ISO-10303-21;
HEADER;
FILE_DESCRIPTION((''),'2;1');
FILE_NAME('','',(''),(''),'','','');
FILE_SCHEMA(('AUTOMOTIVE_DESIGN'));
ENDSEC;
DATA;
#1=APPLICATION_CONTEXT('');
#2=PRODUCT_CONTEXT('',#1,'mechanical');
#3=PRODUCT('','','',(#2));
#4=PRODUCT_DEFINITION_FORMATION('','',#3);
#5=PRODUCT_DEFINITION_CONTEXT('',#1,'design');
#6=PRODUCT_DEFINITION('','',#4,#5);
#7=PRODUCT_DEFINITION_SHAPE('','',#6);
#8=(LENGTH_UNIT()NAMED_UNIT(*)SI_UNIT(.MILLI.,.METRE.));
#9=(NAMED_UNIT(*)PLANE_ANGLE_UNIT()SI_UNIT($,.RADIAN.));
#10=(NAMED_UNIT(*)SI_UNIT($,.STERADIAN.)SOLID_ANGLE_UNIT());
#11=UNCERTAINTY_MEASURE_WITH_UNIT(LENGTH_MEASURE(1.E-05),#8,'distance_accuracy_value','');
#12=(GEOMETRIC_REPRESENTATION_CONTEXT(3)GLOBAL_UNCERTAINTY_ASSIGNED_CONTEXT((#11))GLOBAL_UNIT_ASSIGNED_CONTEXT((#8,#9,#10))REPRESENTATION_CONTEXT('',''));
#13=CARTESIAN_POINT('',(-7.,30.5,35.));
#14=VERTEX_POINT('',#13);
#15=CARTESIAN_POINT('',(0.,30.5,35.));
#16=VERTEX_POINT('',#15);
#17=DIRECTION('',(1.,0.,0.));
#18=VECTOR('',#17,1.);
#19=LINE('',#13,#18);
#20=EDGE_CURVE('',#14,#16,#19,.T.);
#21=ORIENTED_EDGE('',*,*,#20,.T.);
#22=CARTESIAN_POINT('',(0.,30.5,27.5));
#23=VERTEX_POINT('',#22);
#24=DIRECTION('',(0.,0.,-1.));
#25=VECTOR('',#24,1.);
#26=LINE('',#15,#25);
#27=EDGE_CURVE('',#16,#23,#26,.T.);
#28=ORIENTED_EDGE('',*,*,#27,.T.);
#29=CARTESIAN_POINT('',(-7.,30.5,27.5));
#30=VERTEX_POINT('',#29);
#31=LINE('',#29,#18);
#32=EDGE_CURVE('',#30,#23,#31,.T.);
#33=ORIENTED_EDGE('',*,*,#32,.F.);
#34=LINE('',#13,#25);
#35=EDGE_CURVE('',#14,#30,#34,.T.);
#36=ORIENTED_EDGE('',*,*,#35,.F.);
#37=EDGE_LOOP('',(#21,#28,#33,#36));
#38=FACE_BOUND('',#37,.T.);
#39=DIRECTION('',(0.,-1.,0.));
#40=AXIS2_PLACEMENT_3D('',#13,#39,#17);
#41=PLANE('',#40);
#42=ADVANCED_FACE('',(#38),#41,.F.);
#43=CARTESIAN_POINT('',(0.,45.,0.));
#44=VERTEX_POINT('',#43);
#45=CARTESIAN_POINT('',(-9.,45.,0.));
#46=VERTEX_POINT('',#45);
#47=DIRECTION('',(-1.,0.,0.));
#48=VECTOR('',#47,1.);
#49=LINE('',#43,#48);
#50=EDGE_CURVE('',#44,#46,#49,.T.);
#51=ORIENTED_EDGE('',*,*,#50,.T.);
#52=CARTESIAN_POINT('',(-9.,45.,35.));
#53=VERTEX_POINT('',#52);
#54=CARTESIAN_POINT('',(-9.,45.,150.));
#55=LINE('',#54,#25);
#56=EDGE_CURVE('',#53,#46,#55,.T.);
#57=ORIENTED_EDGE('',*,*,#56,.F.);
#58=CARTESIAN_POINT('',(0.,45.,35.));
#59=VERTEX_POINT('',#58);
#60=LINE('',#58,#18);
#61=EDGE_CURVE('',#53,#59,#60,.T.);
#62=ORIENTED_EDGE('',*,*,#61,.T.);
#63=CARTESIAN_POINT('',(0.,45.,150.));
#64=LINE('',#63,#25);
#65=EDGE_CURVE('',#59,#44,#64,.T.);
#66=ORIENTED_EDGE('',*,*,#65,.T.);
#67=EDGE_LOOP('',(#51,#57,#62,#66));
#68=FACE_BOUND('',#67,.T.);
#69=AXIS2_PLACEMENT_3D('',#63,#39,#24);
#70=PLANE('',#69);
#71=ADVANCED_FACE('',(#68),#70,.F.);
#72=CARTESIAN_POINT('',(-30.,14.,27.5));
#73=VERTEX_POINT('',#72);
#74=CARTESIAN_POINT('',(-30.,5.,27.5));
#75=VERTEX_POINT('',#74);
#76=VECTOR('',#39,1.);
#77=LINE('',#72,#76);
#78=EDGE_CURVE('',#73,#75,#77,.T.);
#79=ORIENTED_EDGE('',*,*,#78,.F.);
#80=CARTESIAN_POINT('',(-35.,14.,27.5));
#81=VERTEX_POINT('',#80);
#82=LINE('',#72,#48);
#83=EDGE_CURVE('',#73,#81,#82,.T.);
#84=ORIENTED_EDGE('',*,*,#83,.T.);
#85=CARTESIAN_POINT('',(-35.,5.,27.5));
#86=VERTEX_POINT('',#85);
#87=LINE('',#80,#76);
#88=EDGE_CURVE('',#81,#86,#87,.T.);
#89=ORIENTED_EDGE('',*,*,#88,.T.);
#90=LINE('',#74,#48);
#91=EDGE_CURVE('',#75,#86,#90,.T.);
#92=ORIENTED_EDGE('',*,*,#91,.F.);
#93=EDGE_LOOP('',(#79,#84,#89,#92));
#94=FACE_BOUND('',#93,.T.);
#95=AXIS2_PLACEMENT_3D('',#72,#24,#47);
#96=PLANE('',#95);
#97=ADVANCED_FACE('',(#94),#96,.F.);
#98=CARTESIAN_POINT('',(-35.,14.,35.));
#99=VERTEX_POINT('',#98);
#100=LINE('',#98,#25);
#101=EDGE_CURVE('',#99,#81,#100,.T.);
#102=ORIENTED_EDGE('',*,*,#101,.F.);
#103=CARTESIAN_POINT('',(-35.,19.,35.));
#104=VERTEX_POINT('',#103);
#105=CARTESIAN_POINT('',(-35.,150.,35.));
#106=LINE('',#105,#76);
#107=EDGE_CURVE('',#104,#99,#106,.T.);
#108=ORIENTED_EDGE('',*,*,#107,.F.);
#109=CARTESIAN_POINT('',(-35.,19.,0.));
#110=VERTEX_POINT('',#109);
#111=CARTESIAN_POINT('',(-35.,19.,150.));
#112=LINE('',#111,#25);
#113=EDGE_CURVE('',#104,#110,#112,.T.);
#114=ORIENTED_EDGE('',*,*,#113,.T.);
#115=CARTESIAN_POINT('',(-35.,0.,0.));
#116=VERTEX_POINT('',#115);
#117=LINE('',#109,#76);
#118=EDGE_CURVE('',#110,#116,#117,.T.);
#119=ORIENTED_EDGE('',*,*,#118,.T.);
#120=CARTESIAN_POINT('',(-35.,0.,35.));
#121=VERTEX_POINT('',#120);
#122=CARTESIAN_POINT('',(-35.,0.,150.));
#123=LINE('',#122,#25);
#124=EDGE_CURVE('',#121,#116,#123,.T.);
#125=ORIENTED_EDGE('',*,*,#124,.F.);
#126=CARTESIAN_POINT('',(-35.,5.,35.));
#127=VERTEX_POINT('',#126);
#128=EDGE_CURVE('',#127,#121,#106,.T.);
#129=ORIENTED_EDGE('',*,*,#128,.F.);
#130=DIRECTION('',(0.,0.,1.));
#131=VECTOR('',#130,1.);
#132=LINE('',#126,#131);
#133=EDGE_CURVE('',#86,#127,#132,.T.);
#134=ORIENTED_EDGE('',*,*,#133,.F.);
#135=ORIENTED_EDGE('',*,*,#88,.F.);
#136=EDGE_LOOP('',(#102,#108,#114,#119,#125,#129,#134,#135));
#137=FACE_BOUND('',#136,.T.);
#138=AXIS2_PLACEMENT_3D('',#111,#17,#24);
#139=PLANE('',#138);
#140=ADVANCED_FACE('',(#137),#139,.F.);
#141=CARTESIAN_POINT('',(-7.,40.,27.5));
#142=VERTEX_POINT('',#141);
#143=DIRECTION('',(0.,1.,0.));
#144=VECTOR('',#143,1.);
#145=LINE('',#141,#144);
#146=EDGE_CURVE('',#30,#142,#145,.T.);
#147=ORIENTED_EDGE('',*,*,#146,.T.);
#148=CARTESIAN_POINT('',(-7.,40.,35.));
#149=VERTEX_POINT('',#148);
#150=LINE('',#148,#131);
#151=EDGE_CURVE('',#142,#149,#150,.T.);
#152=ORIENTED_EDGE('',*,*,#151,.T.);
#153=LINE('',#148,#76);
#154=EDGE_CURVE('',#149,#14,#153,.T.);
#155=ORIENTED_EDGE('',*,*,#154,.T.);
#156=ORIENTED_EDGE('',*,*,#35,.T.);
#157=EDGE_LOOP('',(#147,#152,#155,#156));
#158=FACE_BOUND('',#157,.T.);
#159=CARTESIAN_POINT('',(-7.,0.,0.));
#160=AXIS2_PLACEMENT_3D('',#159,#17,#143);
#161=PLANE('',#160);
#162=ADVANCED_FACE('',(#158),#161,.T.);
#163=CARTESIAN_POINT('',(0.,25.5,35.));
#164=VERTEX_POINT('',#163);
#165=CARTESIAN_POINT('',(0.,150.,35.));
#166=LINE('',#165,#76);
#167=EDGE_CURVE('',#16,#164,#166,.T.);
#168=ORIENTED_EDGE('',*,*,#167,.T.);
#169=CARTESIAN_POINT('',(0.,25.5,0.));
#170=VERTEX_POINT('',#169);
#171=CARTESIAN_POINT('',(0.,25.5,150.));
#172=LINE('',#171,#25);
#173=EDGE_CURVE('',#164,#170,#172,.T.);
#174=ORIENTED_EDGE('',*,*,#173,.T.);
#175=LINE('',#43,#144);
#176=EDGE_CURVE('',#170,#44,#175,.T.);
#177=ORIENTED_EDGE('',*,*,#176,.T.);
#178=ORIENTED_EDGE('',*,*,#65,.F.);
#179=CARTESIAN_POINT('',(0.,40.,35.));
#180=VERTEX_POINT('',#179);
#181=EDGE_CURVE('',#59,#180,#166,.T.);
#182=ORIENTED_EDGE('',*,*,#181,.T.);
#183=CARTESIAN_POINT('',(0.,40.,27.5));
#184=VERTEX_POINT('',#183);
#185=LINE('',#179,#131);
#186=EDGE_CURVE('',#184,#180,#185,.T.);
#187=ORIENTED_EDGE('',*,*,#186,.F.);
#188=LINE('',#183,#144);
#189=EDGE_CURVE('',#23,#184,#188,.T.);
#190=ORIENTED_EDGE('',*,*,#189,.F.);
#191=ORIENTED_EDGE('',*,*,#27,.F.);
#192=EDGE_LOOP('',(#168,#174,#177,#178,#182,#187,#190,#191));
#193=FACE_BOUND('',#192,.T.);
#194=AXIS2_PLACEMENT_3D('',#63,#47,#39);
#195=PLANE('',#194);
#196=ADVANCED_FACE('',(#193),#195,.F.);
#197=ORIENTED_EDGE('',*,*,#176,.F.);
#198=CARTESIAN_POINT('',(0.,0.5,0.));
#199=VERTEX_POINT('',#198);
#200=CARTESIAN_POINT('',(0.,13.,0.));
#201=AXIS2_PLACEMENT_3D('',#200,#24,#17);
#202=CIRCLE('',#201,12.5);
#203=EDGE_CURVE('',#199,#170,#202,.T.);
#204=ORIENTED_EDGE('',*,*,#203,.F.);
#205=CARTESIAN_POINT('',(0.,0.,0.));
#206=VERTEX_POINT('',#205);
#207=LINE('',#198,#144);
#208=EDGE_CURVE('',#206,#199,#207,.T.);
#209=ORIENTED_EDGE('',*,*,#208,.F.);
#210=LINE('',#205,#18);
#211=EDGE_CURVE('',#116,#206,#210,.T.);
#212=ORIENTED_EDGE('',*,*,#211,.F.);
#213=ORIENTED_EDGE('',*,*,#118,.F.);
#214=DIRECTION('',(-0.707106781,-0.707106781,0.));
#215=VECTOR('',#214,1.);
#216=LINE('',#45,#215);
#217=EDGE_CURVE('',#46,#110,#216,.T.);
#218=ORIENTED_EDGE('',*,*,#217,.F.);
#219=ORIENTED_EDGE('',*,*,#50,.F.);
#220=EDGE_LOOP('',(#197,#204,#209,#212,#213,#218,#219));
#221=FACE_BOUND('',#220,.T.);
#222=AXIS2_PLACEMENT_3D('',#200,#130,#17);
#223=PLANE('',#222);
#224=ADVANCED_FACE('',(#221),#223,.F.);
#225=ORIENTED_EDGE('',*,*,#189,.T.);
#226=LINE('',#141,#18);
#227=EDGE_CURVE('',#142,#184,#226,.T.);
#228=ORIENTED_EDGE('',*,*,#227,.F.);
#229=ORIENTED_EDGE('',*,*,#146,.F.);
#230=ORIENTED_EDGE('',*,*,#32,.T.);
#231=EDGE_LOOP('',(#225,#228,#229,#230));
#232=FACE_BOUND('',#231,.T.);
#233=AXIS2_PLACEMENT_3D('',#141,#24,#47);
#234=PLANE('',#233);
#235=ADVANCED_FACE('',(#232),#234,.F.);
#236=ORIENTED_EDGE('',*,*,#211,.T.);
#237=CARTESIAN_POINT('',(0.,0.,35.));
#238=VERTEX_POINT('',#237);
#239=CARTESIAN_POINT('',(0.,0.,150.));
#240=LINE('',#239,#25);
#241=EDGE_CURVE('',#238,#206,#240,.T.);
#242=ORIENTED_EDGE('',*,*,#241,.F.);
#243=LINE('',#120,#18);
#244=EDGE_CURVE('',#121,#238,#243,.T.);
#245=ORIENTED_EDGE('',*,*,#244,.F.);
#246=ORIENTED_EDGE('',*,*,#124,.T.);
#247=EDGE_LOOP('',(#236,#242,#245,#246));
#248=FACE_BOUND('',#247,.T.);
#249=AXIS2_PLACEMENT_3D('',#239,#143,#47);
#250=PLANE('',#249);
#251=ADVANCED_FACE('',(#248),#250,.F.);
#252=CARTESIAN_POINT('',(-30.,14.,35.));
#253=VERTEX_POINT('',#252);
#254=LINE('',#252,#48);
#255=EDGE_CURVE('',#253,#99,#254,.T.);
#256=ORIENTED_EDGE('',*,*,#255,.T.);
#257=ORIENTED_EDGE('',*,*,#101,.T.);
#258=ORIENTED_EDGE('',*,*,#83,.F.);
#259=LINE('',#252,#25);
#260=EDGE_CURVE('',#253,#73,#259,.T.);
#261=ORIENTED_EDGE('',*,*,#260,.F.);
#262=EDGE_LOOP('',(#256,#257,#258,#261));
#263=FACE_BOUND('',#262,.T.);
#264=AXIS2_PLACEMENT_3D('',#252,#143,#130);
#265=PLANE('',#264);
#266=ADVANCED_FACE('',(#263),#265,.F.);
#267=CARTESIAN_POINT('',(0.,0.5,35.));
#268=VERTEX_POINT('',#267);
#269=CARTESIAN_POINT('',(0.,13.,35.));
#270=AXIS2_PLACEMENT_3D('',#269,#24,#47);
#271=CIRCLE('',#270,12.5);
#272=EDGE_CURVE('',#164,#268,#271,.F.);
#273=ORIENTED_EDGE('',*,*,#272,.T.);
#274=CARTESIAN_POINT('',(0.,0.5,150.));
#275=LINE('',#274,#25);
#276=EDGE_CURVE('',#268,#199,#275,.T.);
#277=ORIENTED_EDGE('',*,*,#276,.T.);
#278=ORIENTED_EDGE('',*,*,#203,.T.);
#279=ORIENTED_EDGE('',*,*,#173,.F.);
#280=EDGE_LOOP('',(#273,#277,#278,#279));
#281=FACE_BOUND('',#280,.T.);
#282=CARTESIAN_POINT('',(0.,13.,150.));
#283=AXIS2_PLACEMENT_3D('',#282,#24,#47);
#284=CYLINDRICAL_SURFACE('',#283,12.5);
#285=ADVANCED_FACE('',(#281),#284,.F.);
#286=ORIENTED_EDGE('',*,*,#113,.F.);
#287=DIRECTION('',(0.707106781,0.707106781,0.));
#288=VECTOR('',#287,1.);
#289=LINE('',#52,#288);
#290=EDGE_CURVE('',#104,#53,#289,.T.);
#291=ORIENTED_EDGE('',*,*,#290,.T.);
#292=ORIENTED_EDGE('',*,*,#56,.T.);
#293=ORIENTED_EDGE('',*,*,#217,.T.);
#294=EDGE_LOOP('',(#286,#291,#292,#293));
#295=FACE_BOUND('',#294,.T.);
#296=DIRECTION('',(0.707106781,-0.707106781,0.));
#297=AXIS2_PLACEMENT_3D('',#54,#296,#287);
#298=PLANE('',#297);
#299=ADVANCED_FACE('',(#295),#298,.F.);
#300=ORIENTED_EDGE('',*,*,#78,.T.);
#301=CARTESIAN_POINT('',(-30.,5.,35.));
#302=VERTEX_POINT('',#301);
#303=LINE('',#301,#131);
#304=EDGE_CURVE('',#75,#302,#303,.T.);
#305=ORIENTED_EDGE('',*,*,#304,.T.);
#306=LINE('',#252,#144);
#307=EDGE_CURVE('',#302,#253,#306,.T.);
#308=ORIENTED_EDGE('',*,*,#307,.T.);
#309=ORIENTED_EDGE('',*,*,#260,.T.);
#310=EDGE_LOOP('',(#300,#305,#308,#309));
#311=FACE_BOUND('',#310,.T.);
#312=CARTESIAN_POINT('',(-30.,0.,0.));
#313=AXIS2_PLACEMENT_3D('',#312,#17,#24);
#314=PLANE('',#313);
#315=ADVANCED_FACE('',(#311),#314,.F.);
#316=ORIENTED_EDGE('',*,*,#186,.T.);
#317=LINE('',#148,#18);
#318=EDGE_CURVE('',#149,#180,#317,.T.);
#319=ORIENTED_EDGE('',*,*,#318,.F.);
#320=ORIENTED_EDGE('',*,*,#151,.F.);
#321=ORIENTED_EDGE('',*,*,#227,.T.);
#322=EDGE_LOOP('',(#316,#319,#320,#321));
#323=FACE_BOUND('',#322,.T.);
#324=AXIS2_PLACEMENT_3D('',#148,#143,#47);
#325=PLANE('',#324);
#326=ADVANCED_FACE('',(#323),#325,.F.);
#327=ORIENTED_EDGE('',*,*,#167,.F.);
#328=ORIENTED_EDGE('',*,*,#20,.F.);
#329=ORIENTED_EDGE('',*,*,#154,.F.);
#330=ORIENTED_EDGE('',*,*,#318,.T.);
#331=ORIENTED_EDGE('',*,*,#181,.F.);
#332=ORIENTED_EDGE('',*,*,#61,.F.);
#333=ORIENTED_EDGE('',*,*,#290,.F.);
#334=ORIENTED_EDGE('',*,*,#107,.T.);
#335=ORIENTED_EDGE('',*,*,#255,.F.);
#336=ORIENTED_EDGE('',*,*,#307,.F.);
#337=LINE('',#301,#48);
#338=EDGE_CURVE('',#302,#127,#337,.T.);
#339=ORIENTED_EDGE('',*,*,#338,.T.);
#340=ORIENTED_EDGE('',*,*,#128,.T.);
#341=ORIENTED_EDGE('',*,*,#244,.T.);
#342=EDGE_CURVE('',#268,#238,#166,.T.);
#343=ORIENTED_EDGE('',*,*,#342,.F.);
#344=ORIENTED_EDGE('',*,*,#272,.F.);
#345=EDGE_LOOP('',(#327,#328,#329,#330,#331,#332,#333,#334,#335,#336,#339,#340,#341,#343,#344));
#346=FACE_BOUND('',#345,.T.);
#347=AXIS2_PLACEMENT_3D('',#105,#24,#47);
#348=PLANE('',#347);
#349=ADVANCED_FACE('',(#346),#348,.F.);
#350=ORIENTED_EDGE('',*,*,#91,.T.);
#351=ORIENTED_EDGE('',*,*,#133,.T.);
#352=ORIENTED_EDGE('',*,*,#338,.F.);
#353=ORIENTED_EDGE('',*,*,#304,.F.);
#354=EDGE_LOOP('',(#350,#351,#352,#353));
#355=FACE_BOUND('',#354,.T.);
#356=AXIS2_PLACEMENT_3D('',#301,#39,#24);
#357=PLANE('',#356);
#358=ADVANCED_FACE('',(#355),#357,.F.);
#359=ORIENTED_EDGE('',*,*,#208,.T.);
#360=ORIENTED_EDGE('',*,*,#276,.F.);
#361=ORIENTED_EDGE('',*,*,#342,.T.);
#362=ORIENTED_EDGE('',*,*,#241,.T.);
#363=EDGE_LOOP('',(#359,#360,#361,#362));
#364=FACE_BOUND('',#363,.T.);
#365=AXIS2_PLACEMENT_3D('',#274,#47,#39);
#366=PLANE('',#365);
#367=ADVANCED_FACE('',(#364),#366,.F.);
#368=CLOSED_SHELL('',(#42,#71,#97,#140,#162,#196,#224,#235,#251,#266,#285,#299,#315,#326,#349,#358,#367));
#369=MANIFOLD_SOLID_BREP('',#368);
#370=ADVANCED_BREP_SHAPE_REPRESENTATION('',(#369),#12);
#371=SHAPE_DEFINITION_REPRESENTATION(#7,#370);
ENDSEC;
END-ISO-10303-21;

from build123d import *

# Parameters (mm, degrees)
BOSS_EXTRUDE1_DEPTH = 150
SKETCH3_W           = 35
SKETCH3_H           = 80
CUT_EXTRUDE1_DEPTH  = 150
SKETCH5_W           = 7.5
SKETCH5_H           = 9.5
CUT_EXTRUDE3_DEPTH  = 7
SKETCH6_W           = 7.5
SKETCH6_H           = 9
CUT_EXTRUDE4_DEPTH  = 5
SKETCH7_W           = 66.039270253
SKETCH7_H           = 79.533085961
CUT_EXTRUDE5_DEPTH  = 70


with BuildPart() as part:
    # Sketch2 → Boss-Extrude1 (new body)
    with BuildSketch(Plane.XY):
        with BuildLine():
            Line((0, 0), (-35, 0))
            Line((-35, 0), (-35, 19))
            Line((-35, 19), (-9, 45))
            Line((-9, 45), (0, 45))
            Line((0, 45), (0, 25.5))
            ThreePointArc((0, 25.5), (-12.5, 13), (0, 0.5))
            Line((0, 0.5), (0, 0))
        make_face()
    extrude(amount=BOSS_EXTRUDE1_DEPTH)

    # Sketch3 → Cut-Extrude1 (cut)
    with BuildSketch(Plane.XZ):
        with Locations((-17.5, 75)):
            Rectangle(SKETCH3_W, SKETCH3_H)
    extrude(amount=-CUT_EXTRUDE1_DEPTH, mode=Mode.SUBTRACT)


with BuildPart() as cut_extrude1_piece_1:
    # of the separate pieces the step leaves, piece 1, a body of its own (cut_extrude1_pieces)
    add(part.part.solids().sort_by_distance((0, 0.5, 115))[0])


with BuildPart() as cut_extrude1_piece_2:
    # of the separate pieces the step leaves, piece 2, a body of its own (cut_extrude1_pieces)
    add(part.part.solids().sort_by_distance((0, 25.5, 0))[0])


with BuildPart() as cut_extrude3_tool:
    # Sketch5 → Cut-Extrude3 (new body)
    with BuildSketch(Plane(origin=(0, 0, 0), x_dir=(0, 0, -1), z_dir=(1, 0, 0))):
        with Locations((-118.75, 35.25)):
            Rectangle(SKETCH5_W, SKETCH5_H)
        with Locations((-31.25, 35.25)):
            Rectangle(SKETCH5_W, SKETCH5_H)
    extrude(amount=-CUT_EXTRUDE3_DEPTH)


with BuildPart() as cut_extrude1_piece_1_1:
    add(cut_extrude1_piece_1.part)

    # Cut-Extrude3: cut by cut_extrude3_tool
    add(cut_extrude3_tool.part, mode=Mode.SUBTRACT)


with BuildPart() as cut_extrude1_piece_2_1:
    add(cut_extrude1_piece_2.part)

    # Cut-Extrude3: cut by cut_extrude3_tool
    add(cut_extrude3_tool.part, mode=Mode.SUBTRACT)


with BuildPart() as cut_extrude4_tool:
    # Sketch6 → Cut-Extrude4 (new body)
    with BuildSketch(Plane.ZY.offset(35)):
        with Locations((31.25, 9.5)):
            Rectangle(SKETCH6_W, SKETCH6_H)
        with Locations((118.75, 9.5)):
            Rectangle(SKETCH6_W, SKETCH6_H)
    extrude(amount=-CUT_EXTRUDE4_DEPTH)


with BuildPart() as cut_extrude1_piece_1_2:
    add(cut_extrude1_piece_1_1.part)

    # Cut-Extrude4: cut by cut_extrude4_tool
    add(cut_extrude4_tool.part, mode=Mode.SUBTRACT)

    # Sketch7 → Cut-Extrude5 (cut)
    with BuildSketch(Plane.ZY.offset(35)):
        with Locations((129.10930736, 20.534013606)):
            Rectangle(SKETCH7_W, SKETCH7_H)
    extrude(amount=-CUT_EXTRUDE5_DEPTH, mode=Mode.SUBTRACT)


with BuildPart() as cut_extrude1_piece_2_2:
    add(cut_extrude1_piece_2_1.part)

    # Cut-Extrude4: cut by cut_extrude4_tool
    add(cut_extrude4_tool.part, mode=Mode.SUBTRACT)


solid = cut_extrude1_piece_2_2.part
